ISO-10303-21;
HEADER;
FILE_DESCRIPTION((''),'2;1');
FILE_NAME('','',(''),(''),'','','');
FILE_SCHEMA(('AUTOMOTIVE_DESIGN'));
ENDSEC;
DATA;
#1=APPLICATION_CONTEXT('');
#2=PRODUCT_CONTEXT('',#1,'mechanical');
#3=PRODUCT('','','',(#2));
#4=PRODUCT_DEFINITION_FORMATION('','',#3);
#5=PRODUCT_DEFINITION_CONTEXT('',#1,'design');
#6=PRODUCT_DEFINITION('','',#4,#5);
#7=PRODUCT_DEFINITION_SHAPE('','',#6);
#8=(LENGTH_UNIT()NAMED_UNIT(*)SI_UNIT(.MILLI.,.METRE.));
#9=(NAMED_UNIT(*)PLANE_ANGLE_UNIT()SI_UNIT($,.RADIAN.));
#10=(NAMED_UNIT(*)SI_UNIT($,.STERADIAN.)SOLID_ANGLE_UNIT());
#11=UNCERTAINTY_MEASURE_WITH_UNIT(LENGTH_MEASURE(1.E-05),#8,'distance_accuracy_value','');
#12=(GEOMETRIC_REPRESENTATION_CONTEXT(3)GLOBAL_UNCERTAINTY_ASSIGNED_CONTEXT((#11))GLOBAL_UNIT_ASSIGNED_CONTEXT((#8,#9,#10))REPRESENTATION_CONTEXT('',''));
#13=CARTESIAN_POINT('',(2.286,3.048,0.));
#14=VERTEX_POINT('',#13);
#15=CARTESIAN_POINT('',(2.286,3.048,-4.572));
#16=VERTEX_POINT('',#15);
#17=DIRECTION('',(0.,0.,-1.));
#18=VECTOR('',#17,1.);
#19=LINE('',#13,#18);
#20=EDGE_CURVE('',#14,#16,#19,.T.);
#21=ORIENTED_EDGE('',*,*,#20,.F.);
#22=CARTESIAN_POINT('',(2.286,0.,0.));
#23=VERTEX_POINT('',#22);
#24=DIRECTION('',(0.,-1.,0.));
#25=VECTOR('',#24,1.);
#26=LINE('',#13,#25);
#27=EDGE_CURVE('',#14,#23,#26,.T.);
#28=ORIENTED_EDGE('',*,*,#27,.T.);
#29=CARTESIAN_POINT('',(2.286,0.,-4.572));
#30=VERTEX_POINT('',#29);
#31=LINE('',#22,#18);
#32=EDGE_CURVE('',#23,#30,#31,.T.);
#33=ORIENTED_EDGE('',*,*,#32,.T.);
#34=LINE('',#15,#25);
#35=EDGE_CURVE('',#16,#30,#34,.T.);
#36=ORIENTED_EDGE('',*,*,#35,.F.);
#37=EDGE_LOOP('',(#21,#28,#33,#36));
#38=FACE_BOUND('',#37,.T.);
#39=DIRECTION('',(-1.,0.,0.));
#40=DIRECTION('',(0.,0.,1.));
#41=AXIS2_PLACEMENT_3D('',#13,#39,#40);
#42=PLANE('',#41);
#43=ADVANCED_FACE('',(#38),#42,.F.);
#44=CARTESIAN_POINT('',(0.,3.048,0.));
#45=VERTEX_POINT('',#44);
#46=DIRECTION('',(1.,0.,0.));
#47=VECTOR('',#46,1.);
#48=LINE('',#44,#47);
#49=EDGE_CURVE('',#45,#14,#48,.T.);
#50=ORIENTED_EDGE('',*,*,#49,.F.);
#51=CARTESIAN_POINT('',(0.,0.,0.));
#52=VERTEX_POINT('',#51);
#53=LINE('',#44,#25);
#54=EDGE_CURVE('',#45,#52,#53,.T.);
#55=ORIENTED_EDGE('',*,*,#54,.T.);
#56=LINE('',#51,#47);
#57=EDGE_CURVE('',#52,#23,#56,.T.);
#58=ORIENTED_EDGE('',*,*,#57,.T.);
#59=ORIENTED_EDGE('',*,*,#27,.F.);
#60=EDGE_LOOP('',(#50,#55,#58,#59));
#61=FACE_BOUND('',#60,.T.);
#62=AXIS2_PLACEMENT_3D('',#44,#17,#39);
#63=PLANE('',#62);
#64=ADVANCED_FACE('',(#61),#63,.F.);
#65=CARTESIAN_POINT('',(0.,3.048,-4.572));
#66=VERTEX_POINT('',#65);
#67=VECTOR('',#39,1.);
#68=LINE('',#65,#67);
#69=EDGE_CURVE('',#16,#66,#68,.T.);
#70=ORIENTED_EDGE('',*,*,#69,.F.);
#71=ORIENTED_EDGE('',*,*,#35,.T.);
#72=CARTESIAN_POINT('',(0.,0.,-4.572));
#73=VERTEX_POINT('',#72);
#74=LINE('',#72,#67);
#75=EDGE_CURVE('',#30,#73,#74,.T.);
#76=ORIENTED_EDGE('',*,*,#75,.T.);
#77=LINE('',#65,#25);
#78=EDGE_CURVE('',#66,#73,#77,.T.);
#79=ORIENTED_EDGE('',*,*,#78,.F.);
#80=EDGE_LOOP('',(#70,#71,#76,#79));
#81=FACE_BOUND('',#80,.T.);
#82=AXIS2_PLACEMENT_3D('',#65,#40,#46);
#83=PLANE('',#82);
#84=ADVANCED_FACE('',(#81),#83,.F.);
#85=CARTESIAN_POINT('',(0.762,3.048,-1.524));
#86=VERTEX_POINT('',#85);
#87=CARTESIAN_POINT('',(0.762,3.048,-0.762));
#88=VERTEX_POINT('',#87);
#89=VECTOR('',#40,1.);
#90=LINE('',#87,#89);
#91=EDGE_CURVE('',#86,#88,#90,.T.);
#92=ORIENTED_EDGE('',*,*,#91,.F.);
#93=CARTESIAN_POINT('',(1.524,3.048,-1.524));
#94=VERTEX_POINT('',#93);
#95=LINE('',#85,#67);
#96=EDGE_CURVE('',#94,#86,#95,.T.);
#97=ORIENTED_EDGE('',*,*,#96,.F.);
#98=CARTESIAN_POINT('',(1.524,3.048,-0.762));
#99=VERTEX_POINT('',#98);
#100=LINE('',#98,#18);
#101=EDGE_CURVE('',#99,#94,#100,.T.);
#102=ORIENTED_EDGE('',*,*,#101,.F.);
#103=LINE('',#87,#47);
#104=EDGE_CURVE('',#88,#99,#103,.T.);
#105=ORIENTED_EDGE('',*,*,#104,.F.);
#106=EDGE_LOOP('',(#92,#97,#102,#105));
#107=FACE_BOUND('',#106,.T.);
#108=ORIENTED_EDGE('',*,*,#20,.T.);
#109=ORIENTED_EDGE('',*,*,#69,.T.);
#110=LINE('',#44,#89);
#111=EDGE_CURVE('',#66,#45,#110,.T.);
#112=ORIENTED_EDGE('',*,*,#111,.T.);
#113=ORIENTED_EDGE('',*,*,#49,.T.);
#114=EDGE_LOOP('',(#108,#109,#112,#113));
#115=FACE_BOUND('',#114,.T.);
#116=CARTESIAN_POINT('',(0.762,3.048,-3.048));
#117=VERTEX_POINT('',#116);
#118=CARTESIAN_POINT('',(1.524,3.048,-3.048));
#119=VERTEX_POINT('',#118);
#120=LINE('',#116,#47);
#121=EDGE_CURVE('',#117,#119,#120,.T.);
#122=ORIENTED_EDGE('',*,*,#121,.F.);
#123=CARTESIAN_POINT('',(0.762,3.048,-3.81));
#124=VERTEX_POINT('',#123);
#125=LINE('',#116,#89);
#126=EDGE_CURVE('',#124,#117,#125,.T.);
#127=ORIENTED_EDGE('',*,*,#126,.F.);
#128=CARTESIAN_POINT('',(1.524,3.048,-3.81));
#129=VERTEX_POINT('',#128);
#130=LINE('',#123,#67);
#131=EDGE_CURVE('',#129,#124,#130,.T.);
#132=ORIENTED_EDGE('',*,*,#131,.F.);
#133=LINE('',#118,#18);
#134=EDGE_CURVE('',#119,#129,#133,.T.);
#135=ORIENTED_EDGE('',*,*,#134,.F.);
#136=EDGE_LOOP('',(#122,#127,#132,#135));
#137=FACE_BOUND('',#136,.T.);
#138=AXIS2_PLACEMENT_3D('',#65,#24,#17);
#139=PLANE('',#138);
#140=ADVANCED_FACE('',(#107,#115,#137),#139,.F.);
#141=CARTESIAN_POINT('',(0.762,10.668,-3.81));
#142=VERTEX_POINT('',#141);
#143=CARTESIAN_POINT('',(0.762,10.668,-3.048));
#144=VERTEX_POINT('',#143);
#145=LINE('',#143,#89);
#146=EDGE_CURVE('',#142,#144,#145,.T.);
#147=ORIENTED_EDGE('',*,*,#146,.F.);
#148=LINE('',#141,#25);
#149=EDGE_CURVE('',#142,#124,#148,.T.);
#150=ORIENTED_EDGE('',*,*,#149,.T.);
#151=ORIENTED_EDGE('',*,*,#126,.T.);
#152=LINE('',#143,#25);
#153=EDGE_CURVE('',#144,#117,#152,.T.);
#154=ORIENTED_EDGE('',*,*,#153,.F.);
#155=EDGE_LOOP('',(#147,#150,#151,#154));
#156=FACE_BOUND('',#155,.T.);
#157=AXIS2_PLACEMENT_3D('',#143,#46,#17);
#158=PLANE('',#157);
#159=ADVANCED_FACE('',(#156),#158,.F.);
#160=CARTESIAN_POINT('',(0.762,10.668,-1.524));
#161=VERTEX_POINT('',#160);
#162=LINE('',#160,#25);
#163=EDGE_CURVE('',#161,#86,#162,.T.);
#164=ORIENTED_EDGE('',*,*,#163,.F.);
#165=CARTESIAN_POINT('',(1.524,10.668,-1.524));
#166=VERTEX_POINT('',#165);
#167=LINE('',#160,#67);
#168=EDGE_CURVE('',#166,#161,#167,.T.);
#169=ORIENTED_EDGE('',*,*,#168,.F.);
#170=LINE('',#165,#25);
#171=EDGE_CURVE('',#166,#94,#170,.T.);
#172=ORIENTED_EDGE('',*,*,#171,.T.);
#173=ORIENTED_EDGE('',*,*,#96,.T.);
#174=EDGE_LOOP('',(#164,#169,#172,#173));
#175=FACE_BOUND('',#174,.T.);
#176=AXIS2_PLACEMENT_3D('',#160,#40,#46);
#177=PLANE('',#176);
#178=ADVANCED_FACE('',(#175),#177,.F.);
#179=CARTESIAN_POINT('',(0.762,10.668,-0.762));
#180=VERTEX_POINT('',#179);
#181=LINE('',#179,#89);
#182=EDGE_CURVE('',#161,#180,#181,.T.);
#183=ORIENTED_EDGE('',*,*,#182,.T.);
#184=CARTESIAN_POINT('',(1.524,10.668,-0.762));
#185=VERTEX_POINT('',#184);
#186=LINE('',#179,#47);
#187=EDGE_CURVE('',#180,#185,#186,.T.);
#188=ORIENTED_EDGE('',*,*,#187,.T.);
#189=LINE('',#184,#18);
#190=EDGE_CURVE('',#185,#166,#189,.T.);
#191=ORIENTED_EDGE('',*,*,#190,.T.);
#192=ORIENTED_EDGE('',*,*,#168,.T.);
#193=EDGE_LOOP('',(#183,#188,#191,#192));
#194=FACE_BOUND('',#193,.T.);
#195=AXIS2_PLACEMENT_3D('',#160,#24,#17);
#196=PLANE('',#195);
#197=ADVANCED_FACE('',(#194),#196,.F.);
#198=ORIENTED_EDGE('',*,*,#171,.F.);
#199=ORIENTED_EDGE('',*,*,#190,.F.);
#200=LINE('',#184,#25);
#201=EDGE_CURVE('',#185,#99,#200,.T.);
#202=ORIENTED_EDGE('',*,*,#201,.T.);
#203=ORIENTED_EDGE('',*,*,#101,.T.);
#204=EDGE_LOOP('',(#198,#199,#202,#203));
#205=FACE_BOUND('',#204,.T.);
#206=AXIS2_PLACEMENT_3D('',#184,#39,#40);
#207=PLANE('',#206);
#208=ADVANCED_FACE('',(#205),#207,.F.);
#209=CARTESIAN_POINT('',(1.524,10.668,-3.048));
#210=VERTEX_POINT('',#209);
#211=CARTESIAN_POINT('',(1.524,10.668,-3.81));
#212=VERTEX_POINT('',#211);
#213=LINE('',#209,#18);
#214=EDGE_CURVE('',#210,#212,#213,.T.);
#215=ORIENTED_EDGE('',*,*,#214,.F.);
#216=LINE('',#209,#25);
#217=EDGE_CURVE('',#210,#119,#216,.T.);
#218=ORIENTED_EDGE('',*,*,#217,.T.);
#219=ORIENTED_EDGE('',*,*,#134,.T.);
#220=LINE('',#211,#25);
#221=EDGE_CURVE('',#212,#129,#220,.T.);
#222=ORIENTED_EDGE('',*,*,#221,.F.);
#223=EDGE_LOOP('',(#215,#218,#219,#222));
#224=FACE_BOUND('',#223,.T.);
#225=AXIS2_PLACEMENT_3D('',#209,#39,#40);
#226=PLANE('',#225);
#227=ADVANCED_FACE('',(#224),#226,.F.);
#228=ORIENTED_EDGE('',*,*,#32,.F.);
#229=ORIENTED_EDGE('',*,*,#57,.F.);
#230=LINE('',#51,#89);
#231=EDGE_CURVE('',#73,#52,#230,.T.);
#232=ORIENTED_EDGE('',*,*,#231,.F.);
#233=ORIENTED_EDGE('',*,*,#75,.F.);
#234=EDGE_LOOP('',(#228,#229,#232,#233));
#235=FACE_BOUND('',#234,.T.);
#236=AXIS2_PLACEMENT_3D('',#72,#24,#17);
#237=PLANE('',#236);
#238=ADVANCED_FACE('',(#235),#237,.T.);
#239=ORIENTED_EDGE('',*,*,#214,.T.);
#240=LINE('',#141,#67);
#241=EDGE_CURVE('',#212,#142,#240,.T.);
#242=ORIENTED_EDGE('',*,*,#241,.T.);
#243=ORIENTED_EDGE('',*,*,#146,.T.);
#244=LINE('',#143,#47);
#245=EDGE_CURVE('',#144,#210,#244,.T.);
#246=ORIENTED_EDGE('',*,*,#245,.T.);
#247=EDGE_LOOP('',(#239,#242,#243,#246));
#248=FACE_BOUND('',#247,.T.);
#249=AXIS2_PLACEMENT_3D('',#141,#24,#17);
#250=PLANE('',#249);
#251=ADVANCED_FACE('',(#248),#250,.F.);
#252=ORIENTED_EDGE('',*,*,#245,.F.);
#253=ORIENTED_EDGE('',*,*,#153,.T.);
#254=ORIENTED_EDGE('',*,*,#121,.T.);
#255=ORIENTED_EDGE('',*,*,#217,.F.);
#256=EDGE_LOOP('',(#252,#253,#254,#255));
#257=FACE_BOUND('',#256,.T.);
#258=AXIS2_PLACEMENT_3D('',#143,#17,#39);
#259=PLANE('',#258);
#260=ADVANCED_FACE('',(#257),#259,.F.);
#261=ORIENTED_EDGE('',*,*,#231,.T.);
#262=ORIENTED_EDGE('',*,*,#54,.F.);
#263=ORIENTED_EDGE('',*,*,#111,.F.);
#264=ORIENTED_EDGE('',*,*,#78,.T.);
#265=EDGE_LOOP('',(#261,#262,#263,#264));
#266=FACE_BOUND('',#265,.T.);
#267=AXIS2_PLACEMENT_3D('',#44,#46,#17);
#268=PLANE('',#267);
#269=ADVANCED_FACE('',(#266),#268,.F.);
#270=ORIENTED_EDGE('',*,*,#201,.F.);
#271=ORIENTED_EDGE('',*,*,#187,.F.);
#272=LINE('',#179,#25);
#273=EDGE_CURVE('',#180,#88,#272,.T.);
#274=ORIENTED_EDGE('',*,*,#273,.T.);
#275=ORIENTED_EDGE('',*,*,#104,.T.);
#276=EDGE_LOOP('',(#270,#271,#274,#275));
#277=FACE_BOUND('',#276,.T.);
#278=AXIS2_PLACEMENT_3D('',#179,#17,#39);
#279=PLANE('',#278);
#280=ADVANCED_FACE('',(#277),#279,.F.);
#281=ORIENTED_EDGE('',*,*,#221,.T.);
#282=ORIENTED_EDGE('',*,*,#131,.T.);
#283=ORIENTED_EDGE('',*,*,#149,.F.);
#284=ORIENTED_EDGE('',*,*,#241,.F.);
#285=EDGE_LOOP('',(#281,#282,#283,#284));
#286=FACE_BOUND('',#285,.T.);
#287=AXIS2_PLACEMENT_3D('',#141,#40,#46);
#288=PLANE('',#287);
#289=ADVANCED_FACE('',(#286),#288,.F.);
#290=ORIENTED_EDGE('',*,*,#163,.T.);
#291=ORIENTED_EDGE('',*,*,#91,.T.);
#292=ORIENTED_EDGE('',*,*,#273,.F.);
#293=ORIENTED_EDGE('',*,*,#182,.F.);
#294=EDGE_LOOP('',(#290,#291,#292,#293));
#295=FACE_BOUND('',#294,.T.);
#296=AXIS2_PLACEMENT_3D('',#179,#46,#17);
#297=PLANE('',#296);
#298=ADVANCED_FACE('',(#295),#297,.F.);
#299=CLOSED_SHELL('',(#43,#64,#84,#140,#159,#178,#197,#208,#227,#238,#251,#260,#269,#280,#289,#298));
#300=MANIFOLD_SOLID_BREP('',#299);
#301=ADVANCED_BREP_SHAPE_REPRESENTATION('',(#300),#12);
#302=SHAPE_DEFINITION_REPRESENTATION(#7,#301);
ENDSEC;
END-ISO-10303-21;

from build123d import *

# Parameters (mm, degrees)
SKETCH1_W      = 2.286
SKETCH1_H      = 4.572
EXTRUDE1_DEPTH = 3.048
SKETCH2_W      = 0.762
SKETCH2_H      = 0.762
EXTRUDE2_DEPTH = 7.62


with BuildPart() as part:
    # Sketch1 → Extrude1 (new body)
    with BuildSketch(Plane(origin=(0, 0, 0), x_dir=(1, 0, 0), z_dir=(0, 1, 0))):
        with Locations((1.143, 2.286)):
            Rectangle(SKETCH1_W, SKETCH1_H)
    extrude(amount=EXTRUDE1_DEPTH)

    # Sketch2 → Extrude2 (add)
    with BuildSketch(Plane(origin=(0, 3.048, 0), x_dir=(1, 0, 0), z_dir=(0, 1, 0))):
        with Locations((1.143, 1.143)):
            Rectangle(SKETCH2_W, SKETCH2_H)
        with Locations((1.143, 3.429)):
            Rectangle(SKETCH2_W, SKETCH2_H)
    extrude(amount=EXTRUDE2_DEPTH)


solid = part.part
